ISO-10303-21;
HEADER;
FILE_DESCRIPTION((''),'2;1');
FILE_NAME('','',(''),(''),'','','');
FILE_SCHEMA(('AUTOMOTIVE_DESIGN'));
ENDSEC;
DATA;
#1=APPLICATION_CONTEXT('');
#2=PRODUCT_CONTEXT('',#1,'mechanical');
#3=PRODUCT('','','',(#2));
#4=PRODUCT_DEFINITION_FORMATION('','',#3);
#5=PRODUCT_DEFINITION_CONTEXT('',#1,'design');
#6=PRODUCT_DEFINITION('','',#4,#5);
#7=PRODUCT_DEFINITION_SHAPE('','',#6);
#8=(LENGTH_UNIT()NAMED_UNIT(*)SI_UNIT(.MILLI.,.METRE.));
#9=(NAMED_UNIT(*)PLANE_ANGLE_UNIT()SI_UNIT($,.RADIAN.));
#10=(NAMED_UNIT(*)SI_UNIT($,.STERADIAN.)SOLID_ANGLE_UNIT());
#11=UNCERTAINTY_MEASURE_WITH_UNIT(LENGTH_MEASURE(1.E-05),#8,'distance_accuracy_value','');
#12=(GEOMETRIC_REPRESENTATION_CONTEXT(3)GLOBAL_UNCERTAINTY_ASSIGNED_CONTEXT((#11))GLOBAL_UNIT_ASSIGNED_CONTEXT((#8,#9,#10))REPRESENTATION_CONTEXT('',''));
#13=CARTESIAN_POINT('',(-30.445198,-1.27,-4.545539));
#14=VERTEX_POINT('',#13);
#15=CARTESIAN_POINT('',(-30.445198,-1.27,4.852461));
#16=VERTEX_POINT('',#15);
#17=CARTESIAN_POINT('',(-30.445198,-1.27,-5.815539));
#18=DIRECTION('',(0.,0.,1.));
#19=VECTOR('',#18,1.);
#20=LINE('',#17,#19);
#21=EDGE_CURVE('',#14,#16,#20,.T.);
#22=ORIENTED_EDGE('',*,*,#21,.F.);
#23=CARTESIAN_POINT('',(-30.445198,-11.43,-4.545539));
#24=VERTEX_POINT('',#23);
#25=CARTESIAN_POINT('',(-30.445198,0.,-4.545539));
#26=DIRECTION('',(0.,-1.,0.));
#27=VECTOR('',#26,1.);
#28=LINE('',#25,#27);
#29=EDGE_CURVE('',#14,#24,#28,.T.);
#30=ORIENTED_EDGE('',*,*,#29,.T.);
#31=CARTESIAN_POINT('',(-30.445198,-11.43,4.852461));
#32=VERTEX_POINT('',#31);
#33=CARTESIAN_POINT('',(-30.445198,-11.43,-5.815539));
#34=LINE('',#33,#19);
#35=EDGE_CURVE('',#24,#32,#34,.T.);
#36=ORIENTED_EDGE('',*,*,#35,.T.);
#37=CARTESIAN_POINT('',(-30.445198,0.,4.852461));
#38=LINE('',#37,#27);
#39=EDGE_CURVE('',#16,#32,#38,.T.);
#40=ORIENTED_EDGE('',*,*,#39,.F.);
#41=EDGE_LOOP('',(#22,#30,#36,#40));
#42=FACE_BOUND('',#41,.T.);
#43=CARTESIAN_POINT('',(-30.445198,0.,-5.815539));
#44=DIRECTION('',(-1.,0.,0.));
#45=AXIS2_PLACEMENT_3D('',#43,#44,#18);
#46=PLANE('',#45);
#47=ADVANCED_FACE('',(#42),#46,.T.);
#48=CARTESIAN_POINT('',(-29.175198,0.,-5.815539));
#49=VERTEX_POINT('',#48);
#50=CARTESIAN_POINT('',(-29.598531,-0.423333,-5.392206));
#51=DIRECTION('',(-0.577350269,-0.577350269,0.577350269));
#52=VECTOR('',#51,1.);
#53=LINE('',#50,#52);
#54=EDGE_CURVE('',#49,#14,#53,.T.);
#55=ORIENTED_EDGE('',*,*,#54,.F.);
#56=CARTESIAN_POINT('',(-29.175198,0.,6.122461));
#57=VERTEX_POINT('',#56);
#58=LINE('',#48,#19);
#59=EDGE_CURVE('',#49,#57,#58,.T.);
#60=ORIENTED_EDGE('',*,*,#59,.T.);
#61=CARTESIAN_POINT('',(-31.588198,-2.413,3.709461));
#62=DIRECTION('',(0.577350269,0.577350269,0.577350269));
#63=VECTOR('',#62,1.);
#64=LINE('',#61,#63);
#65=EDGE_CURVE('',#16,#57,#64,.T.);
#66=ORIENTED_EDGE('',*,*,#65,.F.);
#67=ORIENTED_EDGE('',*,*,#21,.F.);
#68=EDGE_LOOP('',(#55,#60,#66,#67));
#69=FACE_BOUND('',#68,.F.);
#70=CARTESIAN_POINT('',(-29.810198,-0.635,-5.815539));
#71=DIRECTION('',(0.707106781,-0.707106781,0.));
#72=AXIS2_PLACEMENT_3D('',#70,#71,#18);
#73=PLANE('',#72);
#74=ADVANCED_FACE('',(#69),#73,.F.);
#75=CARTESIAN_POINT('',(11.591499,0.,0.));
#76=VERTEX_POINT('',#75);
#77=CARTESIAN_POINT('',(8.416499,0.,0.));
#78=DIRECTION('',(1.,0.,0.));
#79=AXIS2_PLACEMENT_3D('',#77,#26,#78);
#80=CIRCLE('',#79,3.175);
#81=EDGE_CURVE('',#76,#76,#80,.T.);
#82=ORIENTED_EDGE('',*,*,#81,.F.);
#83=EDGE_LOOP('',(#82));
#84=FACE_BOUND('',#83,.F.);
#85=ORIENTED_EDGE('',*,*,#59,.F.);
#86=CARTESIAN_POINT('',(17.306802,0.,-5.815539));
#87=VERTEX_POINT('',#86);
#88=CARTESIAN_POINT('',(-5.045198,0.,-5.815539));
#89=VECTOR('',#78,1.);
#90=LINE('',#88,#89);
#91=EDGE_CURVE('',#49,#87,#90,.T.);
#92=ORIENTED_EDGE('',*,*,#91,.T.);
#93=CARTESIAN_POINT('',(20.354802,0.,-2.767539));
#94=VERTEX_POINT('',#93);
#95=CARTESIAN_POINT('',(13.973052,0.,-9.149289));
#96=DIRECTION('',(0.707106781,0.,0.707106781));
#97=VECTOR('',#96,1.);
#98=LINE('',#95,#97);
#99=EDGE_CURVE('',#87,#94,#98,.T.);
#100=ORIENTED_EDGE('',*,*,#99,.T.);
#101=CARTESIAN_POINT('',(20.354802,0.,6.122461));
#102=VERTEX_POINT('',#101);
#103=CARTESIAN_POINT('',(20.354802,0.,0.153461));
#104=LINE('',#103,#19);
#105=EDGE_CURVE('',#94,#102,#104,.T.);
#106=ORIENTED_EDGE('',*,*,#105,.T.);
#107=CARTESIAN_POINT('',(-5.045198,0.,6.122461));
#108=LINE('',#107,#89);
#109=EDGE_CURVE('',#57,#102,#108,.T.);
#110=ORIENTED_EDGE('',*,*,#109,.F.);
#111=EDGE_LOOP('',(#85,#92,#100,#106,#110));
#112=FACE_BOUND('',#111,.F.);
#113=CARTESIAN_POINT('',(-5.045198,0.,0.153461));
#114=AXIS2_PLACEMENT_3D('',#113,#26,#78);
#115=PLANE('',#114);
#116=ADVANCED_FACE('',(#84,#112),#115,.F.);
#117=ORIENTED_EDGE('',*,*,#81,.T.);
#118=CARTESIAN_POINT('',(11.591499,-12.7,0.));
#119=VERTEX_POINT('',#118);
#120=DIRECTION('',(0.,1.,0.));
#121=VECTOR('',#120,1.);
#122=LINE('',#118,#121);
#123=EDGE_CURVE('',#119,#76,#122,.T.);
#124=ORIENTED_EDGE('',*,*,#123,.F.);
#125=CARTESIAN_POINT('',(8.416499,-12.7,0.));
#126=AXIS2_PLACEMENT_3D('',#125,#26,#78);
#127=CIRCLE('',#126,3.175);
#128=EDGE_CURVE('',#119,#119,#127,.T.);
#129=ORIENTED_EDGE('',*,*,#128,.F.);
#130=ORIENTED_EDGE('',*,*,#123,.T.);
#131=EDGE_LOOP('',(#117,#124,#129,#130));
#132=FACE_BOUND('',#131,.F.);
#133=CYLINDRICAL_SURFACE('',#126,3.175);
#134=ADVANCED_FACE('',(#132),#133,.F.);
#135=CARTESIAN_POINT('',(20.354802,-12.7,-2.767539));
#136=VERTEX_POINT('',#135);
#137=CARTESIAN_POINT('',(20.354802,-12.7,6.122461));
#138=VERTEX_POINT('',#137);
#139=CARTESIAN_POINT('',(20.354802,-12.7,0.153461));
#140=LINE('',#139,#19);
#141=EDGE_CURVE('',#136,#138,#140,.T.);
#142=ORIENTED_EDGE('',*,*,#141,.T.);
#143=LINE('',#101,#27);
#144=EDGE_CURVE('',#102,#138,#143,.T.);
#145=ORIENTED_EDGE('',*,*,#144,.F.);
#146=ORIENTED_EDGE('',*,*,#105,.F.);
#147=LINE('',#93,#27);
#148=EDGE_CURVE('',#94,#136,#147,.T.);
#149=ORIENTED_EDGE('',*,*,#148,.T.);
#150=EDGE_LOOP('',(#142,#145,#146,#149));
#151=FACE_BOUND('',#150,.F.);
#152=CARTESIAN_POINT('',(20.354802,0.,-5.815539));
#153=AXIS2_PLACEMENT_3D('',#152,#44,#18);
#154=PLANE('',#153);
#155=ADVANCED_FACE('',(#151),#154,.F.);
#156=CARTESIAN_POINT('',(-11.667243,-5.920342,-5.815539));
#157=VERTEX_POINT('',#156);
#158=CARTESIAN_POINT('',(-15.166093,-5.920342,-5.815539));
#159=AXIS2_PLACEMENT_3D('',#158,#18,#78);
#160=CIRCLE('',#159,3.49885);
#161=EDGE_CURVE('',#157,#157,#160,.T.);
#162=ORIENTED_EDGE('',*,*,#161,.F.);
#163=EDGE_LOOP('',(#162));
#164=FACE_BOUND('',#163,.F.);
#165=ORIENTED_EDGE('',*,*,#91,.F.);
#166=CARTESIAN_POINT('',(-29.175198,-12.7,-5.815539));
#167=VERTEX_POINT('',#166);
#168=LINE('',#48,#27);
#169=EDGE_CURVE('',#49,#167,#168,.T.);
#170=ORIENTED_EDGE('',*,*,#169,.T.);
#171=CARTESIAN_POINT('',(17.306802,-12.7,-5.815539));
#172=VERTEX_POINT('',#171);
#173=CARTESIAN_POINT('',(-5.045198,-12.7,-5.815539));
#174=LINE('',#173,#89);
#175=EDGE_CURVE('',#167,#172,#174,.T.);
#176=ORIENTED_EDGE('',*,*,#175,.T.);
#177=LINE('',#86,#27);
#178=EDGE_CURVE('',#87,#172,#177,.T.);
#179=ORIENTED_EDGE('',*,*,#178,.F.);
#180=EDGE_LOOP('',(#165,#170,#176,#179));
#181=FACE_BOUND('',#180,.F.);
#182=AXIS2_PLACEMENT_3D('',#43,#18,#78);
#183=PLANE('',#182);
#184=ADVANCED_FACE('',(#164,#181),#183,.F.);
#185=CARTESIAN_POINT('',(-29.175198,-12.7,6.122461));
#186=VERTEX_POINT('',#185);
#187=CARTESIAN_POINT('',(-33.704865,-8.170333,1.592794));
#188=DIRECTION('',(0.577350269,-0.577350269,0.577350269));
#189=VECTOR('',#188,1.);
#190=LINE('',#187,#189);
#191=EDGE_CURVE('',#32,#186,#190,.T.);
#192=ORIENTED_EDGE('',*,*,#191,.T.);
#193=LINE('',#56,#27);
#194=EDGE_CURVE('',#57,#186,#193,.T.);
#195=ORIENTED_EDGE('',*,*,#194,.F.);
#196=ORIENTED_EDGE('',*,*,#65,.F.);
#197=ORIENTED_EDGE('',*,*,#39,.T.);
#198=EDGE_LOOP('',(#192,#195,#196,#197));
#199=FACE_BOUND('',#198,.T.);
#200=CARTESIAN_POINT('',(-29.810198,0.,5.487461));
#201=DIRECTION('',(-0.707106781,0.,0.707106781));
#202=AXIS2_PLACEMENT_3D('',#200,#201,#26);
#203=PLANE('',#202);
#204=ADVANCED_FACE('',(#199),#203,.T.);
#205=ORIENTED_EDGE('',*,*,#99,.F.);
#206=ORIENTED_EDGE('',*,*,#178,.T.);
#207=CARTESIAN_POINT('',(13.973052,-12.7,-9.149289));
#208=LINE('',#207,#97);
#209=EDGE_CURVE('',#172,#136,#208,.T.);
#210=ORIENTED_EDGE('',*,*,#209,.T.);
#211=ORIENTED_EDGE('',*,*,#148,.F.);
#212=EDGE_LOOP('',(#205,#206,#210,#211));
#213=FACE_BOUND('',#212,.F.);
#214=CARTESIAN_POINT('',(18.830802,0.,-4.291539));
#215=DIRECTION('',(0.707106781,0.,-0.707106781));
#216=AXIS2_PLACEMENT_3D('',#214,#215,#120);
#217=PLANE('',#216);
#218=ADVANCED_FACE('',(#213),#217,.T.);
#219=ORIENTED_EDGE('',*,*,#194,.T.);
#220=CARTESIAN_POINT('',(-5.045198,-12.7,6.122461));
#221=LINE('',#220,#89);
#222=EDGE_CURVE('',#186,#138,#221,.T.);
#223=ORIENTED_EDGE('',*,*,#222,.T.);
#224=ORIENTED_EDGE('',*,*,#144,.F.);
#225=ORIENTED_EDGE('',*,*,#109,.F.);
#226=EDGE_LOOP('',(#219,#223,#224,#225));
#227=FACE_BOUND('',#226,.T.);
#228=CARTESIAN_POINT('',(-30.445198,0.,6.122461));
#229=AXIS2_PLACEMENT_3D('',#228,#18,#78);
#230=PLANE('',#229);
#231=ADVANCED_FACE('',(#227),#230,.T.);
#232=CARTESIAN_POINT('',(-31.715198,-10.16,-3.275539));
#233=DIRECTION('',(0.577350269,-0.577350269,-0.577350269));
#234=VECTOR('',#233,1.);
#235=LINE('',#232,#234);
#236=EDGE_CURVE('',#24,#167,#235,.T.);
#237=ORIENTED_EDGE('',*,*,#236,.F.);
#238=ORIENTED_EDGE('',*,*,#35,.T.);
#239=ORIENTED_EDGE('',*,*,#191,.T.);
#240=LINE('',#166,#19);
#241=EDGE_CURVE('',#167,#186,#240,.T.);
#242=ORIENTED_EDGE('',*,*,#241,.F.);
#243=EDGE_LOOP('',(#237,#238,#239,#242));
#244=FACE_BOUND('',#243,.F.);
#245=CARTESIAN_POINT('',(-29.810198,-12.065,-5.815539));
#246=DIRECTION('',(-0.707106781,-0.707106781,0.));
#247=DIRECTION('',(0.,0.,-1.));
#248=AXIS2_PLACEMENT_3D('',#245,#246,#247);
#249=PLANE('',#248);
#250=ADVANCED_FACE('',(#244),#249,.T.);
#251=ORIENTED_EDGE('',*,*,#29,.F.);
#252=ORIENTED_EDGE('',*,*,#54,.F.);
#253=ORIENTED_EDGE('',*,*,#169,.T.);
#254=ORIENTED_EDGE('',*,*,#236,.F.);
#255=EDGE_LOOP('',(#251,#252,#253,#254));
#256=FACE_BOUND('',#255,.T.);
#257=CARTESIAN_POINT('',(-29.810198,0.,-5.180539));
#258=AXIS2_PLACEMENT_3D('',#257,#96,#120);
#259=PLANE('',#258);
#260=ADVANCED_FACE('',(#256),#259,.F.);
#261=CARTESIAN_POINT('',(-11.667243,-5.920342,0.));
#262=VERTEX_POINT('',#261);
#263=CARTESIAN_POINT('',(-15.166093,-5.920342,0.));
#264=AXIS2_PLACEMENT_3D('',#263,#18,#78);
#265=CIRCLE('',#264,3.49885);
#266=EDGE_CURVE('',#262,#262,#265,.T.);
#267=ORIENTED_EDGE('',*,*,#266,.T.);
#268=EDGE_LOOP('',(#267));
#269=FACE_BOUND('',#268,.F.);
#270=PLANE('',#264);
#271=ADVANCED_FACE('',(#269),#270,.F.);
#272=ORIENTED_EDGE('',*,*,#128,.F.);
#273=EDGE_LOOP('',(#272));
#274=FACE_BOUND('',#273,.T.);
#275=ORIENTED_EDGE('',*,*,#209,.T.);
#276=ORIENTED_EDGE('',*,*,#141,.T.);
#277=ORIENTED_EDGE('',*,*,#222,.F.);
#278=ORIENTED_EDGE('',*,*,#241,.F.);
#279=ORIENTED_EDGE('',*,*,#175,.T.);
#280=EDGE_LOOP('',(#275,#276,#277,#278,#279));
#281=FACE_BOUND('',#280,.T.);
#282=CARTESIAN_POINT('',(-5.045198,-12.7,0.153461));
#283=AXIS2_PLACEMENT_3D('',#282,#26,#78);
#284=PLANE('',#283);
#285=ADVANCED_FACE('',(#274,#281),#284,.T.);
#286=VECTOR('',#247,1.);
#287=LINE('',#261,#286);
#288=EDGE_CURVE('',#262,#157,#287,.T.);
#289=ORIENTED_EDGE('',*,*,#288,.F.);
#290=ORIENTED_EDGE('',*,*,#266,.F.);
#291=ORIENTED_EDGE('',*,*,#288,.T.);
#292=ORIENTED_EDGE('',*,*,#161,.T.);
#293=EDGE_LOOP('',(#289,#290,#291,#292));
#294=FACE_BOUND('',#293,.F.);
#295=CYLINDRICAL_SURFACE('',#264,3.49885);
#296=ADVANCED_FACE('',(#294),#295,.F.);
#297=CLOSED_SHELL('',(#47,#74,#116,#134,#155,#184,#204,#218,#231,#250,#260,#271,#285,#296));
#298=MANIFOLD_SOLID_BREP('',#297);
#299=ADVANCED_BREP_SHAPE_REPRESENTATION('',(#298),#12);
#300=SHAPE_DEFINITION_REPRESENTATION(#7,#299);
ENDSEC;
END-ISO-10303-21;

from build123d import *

# Parameters (mm, degrees)
F0_W     = 50.8
F0_H     = 11.938
F1_DEPTH = 12.7
F2_R     = 3.175
F3_DEPTH = 12.701
F5_DEPTH = 6.35
F6_SIZE  = 3.048
F7_SIZE  = 1.27


with BuildPart() as f1:
    # F0 (on Front) → F1 (new body)
    with BuildSketch(Plane.XZ):
        with Locations((-5.045198, 0.153461)):
            Rectangle(F0_W, F0_H)
    extrude(amount=F1_DEPTH)

    # F2 (on face) → F3 (cut, through all)
    with BuildSketch(Plane.XZ.offset(12.7)):
        with Locations((8.416499, 0)):
            Circle(F2_R)
    extrude(amount=-F3_DEPTH, mode=Mode.SUBTRACT)

    # F4 (on Top) → F5 (cut)
    with BuildSketch(Plane.XY):
        with BuildLine():
            ThreePointArc((-18.664943, -5.920342), (-15.166093, -9.419192), (-11.667243, -5.920342))
            ThreePointArc((-11.667243, -5.920342), (-15.166093, -2.421492), (-18.664943, -5.920342))
        make_face()
    extrude(amount=-F5_DEPTH, mode=Mode.SUBTRACT)

    # F6
    f6_edges = [f1.edges().sort_by_distance(p)[0] for p in [
        (20.354802, -6.35, -5.815539),
    ]]
    chamfer(f6_edges, length=F6_SIZE)

    # F7
    f7_edges = [f1.edges().sort_by_distance(p)[0] for p in [
        (-30.445198, -6.35, 6.122461),
        (-30.445198, -12.7, 0.153461),
        (-30.445198, -6.35, -5.815539),
        (-30.445198, 0, 0.153461),
    ]]
    chamfer(f7_edges, length=F7_SIZE)


solid = f1.part
